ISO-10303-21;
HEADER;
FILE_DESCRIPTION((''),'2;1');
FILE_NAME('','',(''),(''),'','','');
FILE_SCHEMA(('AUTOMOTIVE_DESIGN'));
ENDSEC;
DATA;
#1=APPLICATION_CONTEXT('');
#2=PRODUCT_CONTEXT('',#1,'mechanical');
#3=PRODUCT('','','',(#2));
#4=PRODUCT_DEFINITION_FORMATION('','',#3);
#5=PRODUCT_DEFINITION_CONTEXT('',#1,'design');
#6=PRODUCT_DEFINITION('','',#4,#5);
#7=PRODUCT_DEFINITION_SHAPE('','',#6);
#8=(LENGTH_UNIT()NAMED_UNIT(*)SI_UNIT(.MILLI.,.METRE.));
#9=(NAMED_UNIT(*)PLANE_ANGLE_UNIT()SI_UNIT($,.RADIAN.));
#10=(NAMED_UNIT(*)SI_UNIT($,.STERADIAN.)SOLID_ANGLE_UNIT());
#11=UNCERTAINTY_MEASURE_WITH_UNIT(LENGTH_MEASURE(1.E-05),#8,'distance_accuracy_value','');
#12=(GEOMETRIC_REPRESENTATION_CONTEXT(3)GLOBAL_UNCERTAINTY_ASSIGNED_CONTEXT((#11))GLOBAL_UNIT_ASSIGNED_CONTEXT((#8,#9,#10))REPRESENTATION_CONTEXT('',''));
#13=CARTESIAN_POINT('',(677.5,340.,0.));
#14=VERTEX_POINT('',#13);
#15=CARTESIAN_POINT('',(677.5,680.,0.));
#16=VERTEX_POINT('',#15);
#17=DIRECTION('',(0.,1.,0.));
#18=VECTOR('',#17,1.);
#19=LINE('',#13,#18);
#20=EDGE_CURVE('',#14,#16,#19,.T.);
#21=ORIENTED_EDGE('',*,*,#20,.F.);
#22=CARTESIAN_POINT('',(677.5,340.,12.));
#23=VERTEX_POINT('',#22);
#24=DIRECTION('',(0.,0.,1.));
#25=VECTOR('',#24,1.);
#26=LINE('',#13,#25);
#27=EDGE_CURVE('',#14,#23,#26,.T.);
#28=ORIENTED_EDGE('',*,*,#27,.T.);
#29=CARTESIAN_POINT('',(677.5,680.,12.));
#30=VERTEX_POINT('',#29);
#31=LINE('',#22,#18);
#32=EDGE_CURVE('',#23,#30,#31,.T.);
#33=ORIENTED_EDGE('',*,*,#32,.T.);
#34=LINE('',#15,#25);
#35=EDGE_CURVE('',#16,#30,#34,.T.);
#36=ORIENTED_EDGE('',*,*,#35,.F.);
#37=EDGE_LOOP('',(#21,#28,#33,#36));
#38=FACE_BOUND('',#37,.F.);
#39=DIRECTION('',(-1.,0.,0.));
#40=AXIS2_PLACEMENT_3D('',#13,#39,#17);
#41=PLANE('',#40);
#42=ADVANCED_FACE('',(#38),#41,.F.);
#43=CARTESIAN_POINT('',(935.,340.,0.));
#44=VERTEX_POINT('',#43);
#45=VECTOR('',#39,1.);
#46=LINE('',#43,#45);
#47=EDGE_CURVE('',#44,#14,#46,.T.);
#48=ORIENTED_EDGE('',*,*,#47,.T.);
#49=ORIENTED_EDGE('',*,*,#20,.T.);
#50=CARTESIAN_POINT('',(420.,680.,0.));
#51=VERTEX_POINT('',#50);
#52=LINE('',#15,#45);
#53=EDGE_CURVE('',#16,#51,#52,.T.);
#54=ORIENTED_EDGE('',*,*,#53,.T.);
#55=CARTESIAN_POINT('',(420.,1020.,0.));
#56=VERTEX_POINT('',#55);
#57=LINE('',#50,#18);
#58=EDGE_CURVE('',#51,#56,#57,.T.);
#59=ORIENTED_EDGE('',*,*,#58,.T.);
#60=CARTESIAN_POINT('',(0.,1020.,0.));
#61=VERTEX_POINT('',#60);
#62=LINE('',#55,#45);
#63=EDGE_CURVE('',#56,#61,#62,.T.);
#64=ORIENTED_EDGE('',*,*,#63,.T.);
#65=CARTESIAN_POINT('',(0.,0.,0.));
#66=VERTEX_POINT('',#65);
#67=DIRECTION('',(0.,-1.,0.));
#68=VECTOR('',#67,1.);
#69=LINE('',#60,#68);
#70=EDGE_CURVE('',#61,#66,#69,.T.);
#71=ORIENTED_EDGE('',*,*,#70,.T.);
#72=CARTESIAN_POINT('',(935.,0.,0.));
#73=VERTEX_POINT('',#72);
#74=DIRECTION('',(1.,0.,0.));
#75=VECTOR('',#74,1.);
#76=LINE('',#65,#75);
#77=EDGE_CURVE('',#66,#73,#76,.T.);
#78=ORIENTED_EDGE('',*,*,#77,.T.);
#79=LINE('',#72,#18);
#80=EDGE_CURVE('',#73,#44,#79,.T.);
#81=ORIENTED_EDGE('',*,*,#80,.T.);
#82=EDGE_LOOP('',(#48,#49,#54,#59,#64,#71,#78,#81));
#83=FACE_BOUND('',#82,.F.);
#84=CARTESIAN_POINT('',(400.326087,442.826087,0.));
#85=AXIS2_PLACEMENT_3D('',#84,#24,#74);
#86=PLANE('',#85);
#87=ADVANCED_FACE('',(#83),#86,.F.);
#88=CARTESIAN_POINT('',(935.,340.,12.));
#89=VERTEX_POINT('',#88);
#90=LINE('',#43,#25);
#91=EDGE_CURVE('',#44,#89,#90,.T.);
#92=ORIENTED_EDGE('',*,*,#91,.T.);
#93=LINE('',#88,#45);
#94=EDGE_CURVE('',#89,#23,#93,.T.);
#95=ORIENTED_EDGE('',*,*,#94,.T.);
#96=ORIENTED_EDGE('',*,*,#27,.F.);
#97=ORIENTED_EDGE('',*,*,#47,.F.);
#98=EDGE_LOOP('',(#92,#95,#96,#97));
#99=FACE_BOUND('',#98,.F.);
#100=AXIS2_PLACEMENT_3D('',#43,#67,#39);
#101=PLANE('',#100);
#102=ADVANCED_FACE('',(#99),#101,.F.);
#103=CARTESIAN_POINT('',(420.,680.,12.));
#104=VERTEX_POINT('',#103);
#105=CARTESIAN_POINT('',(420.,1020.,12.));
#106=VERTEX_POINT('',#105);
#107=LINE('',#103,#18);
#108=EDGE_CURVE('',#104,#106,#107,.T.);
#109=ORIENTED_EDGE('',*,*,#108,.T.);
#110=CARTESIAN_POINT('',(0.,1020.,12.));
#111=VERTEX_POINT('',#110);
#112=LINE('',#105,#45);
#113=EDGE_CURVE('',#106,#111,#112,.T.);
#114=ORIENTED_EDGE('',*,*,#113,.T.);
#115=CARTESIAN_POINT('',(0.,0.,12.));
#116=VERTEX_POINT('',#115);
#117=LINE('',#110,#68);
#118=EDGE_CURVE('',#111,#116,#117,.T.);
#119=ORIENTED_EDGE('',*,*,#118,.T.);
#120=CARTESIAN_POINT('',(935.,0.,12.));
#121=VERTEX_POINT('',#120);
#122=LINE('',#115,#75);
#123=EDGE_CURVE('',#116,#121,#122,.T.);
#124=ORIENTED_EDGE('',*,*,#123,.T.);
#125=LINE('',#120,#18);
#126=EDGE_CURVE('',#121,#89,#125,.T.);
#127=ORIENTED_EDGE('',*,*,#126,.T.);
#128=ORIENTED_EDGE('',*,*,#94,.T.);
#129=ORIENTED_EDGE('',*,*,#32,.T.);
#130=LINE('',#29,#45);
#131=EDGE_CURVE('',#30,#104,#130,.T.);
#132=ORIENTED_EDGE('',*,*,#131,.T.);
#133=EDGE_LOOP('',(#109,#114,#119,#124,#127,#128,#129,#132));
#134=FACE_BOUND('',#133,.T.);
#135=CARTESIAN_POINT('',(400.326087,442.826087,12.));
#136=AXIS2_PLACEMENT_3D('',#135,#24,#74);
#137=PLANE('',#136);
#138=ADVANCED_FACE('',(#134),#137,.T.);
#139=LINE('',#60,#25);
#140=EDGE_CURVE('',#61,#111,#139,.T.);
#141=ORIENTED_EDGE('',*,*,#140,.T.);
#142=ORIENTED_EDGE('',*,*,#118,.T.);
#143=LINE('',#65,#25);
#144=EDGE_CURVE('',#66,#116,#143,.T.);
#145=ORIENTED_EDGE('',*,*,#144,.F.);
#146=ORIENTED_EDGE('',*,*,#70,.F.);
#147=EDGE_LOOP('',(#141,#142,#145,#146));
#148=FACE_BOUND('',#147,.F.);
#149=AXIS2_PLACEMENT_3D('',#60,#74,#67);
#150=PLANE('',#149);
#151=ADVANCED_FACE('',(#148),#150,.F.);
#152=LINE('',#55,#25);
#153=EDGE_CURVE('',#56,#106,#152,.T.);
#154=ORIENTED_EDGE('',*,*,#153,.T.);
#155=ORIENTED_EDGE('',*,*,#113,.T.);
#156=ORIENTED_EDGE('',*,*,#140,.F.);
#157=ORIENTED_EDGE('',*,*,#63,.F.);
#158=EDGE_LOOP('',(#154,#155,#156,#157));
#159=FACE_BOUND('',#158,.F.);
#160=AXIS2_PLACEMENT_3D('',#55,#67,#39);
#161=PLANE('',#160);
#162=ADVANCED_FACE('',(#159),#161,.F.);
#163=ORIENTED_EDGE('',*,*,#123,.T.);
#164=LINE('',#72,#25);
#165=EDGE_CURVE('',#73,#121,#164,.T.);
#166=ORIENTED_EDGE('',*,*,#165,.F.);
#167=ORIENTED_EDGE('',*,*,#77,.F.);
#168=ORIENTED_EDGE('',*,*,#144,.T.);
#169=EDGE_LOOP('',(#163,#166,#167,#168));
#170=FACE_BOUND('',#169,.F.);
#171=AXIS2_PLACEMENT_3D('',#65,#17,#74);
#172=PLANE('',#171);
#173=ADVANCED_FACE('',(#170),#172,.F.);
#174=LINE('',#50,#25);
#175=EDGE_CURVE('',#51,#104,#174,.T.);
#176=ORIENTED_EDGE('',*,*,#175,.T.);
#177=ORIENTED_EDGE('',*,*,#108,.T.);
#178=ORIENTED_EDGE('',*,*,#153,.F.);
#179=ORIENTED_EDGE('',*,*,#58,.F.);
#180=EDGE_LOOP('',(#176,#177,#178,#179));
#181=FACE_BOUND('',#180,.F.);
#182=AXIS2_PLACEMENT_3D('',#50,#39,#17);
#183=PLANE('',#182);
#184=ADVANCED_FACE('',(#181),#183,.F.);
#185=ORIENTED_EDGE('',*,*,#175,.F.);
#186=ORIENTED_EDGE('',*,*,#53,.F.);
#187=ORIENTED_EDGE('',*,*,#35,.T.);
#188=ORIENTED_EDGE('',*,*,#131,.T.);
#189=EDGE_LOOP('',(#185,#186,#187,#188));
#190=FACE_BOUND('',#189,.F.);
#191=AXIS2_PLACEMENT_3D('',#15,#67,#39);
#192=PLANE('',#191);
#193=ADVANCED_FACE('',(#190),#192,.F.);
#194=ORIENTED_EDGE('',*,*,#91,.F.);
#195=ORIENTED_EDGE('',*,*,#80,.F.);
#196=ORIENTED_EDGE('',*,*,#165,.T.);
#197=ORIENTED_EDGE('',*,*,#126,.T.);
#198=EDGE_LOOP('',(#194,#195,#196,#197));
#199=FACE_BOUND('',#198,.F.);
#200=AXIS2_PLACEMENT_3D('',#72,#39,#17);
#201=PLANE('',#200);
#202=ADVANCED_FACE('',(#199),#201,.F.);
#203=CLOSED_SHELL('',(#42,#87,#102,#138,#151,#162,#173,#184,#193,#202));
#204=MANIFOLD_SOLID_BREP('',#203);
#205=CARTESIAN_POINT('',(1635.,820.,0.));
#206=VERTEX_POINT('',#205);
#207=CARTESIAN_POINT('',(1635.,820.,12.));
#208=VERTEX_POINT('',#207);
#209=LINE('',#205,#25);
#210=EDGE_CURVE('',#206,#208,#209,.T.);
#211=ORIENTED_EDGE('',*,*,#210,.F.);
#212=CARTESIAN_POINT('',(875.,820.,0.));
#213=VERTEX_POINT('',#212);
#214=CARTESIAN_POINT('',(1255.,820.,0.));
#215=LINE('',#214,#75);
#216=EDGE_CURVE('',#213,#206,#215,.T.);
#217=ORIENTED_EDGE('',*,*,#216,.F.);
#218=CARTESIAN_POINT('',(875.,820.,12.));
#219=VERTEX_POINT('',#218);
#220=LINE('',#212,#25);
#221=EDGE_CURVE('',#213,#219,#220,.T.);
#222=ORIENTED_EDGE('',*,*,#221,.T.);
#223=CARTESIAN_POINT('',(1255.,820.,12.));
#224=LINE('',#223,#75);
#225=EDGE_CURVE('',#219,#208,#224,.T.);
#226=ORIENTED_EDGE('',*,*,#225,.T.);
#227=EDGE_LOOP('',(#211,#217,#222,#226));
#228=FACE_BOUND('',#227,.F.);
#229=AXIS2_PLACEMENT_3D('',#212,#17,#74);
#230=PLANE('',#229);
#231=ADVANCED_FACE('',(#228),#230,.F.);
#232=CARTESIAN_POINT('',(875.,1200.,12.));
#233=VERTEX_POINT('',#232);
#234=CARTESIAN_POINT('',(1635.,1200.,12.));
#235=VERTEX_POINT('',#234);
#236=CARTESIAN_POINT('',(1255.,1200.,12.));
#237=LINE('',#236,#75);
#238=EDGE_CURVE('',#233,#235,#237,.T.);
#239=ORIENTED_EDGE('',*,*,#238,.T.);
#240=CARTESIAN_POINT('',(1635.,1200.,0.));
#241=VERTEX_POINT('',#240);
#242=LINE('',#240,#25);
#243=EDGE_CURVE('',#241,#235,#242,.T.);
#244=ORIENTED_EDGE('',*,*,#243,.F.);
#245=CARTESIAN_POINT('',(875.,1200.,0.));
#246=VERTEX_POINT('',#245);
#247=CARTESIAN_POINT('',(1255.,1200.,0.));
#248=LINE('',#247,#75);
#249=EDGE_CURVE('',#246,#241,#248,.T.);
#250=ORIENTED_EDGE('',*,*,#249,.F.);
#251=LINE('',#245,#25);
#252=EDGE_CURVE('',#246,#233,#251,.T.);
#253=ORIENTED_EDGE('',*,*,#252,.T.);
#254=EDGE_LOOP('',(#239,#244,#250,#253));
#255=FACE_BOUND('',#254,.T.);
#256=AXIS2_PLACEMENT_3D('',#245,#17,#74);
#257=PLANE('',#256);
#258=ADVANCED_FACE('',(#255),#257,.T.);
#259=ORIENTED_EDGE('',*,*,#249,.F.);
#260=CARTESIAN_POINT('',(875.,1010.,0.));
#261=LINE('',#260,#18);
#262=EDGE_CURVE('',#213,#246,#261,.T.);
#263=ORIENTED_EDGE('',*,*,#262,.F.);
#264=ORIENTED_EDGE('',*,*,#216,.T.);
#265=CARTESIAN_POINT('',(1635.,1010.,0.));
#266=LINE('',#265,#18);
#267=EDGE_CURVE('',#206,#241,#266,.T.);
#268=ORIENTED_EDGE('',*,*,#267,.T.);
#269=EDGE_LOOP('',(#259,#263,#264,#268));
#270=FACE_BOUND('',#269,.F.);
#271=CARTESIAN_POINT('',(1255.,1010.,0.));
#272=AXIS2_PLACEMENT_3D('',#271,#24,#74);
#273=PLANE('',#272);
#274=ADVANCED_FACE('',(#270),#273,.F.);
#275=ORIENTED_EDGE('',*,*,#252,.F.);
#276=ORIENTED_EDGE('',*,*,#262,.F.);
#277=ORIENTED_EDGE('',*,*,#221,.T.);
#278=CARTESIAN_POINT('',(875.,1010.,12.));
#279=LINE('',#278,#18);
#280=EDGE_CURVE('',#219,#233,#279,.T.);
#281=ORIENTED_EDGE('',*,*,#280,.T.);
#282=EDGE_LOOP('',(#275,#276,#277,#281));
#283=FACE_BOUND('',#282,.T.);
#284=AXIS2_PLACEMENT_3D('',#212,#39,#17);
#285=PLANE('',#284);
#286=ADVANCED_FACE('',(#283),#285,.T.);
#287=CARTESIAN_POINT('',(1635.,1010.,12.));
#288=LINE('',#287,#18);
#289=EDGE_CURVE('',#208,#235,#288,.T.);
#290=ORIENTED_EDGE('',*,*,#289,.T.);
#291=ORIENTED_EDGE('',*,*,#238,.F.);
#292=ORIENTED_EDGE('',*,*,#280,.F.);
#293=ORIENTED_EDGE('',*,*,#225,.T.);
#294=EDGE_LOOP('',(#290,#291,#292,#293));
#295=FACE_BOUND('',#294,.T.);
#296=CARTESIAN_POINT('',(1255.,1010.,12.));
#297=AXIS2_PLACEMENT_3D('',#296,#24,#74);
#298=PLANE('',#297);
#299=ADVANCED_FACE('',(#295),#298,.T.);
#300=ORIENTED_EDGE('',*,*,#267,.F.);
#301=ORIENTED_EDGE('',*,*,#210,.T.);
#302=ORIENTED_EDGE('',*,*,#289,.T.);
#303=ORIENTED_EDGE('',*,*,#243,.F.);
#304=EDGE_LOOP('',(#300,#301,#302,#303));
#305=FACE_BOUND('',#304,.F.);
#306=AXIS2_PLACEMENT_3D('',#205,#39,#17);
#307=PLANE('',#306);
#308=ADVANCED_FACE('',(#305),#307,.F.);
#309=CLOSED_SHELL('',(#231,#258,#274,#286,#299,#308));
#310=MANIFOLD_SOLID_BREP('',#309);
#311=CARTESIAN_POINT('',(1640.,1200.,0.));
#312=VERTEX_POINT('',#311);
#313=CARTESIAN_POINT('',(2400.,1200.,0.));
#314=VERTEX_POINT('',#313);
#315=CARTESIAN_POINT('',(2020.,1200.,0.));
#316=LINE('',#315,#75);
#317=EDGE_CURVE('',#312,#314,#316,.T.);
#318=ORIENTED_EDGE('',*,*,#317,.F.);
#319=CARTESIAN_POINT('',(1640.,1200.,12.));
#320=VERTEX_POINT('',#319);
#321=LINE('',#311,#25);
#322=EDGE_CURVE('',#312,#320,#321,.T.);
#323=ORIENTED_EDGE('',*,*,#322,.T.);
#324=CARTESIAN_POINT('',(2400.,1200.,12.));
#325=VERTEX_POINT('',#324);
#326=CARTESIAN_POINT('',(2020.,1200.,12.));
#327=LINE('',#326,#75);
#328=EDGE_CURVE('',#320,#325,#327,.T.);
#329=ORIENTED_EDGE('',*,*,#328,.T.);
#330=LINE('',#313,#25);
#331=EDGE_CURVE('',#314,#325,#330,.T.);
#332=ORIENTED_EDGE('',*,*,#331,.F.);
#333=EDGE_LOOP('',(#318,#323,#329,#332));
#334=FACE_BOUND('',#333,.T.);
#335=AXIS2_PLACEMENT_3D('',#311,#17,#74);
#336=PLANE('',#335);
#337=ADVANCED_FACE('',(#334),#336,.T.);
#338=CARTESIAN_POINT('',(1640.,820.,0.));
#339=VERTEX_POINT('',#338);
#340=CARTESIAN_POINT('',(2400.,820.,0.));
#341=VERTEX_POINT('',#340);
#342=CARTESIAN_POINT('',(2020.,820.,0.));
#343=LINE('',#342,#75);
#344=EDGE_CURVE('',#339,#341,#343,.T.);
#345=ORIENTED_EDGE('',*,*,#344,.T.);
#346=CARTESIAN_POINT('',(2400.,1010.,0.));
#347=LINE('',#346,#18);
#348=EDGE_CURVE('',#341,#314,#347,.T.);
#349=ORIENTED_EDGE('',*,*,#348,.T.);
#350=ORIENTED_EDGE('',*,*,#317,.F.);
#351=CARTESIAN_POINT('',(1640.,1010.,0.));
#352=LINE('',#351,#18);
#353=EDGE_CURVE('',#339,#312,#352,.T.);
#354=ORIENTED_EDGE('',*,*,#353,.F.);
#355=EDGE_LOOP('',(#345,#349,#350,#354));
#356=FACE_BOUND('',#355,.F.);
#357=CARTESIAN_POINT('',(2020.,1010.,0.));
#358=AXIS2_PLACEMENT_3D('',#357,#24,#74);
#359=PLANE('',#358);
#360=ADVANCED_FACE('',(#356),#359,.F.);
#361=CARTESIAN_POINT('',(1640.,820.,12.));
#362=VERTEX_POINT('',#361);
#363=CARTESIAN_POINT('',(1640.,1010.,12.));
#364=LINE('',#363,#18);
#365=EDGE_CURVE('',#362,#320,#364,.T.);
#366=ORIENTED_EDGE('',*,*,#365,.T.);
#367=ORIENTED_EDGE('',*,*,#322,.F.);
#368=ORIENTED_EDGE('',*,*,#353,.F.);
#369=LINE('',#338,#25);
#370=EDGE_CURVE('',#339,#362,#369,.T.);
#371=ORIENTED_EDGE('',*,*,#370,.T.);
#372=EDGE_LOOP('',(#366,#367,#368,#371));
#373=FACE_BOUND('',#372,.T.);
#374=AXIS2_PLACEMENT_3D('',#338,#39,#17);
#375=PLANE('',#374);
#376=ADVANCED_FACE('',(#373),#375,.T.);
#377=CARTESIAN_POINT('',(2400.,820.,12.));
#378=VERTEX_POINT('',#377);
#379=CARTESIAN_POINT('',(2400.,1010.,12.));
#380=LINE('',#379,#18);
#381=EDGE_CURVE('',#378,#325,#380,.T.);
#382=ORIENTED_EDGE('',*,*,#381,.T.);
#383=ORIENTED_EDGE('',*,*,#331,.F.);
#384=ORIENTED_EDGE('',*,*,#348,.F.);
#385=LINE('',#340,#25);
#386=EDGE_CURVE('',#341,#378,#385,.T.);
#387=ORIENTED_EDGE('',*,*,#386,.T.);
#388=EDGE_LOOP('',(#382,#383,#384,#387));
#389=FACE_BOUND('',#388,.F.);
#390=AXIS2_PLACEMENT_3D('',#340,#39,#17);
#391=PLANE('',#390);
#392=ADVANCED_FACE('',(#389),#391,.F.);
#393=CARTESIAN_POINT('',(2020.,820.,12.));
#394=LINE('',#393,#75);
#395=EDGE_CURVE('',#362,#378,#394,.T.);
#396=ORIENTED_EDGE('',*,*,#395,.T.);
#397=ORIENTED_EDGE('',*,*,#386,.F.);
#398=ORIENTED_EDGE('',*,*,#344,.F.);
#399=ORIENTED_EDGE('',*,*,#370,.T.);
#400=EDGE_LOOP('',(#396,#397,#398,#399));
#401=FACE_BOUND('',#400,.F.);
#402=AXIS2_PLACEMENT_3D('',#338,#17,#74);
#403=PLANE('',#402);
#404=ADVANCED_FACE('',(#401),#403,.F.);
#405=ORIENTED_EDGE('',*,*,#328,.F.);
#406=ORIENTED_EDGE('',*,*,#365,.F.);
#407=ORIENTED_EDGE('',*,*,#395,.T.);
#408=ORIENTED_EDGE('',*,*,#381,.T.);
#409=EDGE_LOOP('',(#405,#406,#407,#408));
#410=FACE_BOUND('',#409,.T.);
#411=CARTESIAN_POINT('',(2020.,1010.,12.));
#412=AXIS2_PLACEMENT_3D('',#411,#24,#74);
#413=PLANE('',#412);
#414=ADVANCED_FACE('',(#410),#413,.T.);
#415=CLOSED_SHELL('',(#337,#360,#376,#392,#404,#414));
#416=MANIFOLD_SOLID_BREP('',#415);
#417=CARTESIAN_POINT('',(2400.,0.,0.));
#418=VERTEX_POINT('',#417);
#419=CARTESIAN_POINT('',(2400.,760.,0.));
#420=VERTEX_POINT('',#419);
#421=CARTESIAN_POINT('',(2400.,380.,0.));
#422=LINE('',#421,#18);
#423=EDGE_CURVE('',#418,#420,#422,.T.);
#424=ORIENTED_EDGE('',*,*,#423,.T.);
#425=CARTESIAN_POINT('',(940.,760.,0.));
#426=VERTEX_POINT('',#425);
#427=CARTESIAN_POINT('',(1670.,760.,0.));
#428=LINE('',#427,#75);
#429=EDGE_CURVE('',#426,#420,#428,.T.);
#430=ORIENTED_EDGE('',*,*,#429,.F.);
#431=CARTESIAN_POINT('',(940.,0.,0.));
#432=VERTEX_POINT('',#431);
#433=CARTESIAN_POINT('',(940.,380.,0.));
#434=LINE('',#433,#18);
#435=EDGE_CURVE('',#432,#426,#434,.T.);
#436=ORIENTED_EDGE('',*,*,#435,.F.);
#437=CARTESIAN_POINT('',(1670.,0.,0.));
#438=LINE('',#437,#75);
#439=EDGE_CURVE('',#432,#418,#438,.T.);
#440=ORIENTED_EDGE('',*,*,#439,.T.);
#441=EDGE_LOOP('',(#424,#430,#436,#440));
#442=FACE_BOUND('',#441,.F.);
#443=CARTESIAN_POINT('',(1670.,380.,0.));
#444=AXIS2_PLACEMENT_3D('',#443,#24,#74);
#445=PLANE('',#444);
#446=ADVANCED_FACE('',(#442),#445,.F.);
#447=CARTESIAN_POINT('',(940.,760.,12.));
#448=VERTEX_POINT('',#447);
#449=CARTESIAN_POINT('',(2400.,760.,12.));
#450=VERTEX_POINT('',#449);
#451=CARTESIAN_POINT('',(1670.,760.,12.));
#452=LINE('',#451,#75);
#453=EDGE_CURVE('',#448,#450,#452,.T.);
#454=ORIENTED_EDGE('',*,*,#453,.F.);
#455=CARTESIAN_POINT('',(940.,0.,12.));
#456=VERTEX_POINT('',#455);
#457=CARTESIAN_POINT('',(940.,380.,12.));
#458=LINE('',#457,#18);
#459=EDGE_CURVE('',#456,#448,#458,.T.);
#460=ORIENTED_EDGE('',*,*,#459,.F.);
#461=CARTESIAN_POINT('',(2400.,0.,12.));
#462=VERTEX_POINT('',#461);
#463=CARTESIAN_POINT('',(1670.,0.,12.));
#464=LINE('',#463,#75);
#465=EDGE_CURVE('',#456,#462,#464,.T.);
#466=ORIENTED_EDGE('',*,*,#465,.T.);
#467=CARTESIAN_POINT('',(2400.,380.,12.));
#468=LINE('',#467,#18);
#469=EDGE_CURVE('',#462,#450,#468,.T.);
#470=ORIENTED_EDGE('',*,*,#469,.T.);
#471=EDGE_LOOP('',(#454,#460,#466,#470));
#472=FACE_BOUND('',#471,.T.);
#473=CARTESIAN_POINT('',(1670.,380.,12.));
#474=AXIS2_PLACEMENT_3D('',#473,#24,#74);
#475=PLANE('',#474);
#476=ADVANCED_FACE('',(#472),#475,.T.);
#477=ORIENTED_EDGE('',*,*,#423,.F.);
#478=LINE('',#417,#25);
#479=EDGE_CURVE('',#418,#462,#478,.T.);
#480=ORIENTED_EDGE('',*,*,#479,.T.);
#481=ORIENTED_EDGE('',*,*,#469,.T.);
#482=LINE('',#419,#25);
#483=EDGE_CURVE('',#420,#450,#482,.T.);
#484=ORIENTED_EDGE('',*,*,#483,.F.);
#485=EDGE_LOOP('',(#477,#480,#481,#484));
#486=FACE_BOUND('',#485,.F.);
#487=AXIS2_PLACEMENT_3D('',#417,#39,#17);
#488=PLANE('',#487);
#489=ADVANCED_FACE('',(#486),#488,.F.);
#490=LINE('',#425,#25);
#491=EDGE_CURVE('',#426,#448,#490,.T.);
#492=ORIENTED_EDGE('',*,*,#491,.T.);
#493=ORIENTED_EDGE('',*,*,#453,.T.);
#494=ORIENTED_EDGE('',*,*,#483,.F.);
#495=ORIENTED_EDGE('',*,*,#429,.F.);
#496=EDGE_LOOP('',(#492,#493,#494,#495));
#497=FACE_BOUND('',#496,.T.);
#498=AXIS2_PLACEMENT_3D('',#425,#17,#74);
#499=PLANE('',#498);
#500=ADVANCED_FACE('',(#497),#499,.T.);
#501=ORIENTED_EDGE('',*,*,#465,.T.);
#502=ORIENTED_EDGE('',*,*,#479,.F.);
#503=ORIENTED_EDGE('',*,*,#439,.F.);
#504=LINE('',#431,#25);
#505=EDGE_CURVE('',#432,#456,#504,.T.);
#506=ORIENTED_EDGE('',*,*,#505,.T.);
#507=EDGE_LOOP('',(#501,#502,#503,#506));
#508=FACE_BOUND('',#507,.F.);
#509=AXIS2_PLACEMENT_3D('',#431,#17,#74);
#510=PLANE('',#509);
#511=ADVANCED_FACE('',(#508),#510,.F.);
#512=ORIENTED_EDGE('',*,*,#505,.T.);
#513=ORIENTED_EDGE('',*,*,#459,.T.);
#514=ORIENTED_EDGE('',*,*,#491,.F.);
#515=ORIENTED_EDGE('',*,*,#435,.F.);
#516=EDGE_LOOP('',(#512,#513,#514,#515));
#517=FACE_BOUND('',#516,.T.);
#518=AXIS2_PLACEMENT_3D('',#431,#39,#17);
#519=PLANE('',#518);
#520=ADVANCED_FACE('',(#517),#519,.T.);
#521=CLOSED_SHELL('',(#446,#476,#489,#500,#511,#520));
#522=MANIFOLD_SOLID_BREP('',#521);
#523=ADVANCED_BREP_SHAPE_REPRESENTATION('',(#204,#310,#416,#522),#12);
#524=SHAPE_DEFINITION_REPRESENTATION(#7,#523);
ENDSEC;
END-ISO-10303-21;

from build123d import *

# Parameters (mm, degrees)
F0_W     = 1460
F0_H     = 760
F0_W_2   = 760
F0_H_2   = 380
F1_DEPTH = 12


with BuildPart() as f1:
    # F0 (on Top) → F1 (new body)
    with BuildSketch(Plane.XY):
        Polygon((0, 1020), (0, 0), (935, 0), (935, 340), (677.5, 340), (677.5, 680), (420, 680), (420, 1020), align=None)
        with Locations((1670, 380)):
            Rectangle(F0_W, F0_H)
        with Locations((1255, 1010)):
            Rectangle(F0_W_2, F0_H_2)
        with Locations((2020, 1010)):
            Rectangle(F0_W_2, F0_H_2)
    extrude(amount=F1_DEPTH)


solid = f1.part
